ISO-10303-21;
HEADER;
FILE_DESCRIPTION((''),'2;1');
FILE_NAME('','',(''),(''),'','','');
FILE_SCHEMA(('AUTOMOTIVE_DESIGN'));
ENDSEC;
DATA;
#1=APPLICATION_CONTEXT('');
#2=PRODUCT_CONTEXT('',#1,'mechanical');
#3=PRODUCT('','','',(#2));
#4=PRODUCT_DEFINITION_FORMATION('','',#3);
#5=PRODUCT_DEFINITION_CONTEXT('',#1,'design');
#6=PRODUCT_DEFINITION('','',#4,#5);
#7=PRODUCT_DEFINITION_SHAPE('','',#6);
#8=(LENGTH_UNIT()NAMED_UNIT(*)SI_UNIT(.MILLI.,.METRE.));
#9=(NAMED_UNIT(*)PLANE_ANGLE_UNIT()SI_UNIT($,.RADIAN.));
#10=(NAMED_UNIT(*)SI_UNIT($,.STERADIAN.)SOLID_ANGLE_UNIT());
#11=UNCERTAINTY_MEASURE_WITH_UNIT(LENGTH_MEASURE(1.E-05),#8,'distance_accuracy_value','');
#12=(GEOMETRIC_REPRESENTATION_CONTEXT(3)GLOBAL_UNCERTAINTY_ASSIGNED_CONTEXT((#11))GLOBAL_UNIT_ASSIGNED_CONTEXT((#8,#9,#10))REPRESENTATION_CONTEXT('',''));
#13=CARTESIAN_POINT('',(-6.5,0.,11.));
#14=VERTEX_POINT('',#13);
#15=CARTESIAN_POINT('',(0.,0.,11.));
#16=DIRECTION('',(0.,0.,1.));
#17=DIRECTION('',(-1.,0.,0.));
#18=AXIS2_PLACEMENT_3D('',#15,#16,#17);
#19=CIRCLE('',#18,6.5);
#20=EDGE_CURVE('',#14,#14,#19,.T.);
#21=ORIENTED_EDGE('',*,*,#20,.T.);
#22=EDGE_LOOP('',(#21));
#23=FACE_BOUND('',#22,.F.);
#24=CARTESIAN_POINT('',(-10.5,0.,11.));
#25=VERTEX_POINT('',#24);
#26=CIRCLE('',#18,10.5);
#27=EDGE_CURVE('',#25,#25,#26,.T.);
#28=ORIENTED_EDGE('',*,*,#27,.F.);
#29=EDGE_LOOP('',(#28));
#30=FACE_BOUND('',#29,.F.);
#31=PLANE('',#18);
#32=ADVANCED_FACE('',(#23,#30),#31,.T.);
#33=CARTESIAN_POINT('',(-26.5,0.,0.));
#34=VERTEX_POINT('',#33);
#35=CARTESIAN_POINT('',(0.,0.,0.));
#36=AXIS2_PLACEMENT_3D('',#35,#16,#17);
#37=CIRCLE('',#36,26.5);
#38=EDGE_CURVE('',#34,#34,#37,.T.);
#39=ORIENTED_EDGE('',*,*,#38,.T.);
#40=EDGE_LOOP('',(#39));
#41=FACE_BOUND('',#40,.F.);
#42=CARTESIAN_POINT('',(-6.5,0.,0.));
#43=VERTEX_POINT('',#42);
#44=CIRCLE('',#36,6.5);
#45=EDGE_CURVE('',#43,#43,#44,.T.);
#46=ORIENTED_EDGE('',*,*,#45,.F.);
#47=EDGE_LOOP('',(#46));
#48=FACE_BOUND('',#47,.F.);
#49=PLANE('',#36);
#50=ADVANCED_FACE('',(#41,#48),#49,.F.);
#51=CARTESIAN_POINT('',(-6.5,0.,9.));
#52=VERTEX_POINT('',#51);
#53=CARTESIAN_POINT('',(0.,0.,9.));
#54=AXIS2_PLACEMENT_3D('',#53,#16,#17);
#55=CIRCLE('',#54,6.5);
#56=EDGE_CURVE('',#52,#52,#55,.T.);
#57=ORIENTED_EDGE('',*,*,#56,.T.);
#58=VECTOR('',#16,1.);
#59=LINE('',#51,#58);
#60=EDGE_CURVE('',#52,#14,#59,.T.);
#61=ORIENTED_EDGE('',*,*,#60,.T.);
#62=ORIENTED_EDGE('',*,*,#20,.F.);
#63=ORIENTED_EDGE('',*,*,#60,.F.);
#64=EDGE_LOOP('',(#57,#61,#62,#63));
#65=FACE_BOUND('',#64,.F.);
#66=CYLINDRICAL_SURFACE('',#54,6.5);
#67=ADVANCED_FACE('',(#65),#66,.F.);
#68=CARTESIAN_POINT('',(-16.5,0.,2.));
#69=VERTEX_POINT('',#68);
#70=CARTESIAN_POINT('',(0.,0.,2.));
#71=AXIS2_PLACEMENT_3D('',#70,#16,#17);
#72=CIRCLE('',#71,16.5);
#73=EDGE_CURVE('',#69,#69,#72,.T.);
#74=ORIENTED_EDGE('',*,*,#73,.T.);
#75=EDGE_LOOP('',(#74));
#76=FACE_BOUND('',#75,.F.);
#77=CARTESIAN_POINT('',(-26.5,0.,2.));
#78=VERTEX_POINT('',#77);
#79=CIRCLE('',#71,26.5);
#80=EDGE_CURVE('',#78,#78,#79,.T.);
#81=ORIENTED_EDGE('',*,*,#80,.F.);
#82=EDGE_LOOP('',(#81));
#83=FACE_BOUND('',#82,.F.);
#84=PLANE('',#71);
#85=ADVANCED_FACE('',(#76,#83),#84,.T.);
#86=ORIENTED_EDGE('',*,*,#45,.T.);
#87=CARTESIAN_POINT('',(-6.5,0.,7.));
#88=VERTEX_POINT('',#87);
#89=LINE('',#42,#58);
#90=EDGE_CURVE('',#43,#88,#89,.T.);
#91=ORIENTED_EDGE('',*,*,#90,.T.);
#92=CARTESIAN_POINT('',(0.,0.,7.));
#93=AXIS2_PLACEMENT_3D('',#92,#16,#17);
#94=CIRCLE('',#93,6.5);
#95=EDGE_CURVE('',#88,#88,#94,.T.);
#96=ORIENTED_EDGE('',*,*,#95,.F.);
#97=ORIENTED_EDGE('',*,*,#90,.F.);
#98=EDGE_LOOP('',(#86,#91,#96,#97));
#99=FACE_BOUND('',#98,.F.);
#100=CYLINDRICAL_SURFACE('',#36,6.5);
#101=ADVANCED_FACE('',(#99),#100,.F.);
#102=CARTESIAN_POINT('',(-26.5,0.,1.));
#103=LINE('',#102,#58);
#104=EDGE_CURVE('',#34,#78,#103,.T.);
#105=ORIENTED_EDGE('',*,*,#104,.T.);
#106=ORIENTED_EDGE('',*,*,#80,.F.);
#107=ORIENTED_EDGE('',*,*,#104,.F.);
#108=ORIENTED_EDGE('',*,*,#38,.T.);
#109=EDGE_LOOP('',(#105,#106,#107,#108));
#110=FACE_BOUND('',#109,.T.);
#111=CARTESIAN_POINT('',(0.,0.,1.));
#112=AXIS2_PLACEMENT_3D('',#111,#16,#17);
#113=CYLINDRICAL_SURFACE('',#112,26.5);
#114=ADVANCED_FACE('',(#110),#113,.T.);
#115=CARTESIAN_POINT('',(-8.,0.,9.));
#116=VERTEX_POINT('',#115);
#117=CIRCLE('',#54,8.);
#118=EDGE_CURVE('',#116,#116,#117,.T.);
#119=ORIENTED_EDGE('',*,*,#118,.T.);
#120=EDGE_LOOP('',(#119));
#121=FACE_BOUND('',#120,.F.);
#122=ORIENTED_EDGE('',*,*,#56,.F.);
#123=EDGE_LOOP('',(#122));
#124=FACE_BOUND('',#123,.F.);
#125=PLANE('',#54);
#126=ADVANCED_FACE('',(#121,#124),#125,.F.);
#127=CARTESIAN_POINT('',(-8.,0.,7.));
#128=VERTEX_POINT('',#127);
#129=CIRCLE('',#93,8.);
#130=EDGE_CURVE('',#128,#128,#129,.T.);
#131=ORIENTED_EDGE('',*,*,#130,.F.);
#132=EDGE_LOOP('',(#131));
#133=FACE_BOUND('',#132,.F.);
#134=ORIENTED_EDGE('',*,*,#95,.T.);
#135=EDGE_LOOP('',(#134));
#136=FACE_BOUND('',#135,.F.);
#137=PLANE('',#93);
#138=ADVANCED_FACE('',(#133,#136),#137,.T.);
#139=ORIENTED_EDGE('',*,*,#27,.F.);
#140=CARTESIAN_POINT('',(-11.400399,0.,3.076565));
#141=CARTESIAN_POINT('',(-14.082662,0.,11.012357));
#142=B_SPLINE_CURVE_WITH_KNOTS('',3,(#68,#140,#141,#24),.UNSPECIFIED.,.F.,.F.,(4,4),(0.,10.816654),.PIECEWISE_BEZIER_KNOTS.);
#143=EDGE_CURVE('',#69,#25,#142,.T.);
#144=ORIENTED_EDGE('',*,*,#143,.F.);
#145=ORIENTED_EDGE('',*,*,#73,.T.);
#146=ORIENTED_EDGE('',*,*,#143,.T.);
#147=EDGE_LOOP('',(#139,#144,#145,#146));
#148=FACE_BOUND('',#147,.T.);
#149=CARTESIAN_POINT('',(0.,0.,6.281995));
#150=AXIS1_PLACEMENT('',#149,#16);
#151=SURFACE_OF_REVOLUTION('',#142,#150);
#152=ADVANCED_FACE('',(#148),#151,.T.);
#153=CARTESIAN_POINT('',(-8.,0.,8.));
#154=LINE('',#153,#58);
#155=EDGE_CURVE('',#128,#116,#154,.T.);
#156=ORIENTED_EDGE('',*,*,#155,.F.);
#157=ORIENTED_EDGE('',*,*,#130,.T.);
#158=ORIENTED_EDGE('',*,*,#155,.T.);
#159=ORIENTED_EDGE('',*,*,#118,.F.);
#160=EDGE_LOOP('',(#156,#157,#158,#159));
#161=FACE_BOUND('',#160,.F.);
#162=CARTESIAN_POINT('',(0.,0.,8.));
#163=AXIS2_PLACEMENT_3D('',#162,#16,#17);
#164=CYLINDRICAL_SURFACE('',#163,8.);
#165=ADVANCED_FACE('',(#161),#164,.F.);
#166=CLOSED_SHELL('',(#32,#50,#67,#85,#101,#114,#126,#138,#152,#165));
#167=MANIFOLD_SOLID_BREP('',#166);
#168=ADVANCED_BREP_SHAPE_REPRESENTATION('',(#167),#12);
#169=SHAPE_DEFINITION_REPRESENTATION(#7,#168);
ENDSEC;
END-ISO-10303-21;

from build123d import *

# Parameters (mm, degrees)
F0_W   = 10
F0_H   = 2
F0_W_2 = 2.5


with BuildPart() as f1:
    # F0 (on Front) → F1 (revolve)
    with BuildSketch(Plane.XZ):
        Polygon((-16.5, 0), (-6.5, 0), (-6.5, 2), (-10.5, 2), (-16.5, 2), align=None)
        with Locations((-21.5, 1)):
            Rectangle(F0_W, F0_H)
        Polygon((-10.5, 2), (-6.5, 2), (-6.5, 7), (-8, 7), (-10.5, 7), align=None)
        with BuildLine():
            add(Edge.make_bspline(
                [(-16.5, 2), (-11.400399, 3.076565), (-14.082662, 11.012357), (-10.5, 11)],
                knots=[0, 0, 0, 0, 10.816654, 10.816654, 10.816654, 10.816654], degree=3))
            Line((-16.5, 2), (-10.5, 2))
            Line((-10.5, 2), (-10.5, 7))
            Line((-10.5, 7), (-10.5, 9))
            Line((-10.5, 9), (-10.5, 11))
        make_face()
        Polygon((-8.5, 11), (-10.5, 11), (-10.5, 9), (-8, 9), (-6.5, 9), (-6.5, 11), align=None)
        with Locations((-9.25, 8)):
            Rectangle(F0_W_2, F0_H)
    revolve(axis=Axis((0, 0, 6.281995), (0, 0, 1)))


solid = f1.part
